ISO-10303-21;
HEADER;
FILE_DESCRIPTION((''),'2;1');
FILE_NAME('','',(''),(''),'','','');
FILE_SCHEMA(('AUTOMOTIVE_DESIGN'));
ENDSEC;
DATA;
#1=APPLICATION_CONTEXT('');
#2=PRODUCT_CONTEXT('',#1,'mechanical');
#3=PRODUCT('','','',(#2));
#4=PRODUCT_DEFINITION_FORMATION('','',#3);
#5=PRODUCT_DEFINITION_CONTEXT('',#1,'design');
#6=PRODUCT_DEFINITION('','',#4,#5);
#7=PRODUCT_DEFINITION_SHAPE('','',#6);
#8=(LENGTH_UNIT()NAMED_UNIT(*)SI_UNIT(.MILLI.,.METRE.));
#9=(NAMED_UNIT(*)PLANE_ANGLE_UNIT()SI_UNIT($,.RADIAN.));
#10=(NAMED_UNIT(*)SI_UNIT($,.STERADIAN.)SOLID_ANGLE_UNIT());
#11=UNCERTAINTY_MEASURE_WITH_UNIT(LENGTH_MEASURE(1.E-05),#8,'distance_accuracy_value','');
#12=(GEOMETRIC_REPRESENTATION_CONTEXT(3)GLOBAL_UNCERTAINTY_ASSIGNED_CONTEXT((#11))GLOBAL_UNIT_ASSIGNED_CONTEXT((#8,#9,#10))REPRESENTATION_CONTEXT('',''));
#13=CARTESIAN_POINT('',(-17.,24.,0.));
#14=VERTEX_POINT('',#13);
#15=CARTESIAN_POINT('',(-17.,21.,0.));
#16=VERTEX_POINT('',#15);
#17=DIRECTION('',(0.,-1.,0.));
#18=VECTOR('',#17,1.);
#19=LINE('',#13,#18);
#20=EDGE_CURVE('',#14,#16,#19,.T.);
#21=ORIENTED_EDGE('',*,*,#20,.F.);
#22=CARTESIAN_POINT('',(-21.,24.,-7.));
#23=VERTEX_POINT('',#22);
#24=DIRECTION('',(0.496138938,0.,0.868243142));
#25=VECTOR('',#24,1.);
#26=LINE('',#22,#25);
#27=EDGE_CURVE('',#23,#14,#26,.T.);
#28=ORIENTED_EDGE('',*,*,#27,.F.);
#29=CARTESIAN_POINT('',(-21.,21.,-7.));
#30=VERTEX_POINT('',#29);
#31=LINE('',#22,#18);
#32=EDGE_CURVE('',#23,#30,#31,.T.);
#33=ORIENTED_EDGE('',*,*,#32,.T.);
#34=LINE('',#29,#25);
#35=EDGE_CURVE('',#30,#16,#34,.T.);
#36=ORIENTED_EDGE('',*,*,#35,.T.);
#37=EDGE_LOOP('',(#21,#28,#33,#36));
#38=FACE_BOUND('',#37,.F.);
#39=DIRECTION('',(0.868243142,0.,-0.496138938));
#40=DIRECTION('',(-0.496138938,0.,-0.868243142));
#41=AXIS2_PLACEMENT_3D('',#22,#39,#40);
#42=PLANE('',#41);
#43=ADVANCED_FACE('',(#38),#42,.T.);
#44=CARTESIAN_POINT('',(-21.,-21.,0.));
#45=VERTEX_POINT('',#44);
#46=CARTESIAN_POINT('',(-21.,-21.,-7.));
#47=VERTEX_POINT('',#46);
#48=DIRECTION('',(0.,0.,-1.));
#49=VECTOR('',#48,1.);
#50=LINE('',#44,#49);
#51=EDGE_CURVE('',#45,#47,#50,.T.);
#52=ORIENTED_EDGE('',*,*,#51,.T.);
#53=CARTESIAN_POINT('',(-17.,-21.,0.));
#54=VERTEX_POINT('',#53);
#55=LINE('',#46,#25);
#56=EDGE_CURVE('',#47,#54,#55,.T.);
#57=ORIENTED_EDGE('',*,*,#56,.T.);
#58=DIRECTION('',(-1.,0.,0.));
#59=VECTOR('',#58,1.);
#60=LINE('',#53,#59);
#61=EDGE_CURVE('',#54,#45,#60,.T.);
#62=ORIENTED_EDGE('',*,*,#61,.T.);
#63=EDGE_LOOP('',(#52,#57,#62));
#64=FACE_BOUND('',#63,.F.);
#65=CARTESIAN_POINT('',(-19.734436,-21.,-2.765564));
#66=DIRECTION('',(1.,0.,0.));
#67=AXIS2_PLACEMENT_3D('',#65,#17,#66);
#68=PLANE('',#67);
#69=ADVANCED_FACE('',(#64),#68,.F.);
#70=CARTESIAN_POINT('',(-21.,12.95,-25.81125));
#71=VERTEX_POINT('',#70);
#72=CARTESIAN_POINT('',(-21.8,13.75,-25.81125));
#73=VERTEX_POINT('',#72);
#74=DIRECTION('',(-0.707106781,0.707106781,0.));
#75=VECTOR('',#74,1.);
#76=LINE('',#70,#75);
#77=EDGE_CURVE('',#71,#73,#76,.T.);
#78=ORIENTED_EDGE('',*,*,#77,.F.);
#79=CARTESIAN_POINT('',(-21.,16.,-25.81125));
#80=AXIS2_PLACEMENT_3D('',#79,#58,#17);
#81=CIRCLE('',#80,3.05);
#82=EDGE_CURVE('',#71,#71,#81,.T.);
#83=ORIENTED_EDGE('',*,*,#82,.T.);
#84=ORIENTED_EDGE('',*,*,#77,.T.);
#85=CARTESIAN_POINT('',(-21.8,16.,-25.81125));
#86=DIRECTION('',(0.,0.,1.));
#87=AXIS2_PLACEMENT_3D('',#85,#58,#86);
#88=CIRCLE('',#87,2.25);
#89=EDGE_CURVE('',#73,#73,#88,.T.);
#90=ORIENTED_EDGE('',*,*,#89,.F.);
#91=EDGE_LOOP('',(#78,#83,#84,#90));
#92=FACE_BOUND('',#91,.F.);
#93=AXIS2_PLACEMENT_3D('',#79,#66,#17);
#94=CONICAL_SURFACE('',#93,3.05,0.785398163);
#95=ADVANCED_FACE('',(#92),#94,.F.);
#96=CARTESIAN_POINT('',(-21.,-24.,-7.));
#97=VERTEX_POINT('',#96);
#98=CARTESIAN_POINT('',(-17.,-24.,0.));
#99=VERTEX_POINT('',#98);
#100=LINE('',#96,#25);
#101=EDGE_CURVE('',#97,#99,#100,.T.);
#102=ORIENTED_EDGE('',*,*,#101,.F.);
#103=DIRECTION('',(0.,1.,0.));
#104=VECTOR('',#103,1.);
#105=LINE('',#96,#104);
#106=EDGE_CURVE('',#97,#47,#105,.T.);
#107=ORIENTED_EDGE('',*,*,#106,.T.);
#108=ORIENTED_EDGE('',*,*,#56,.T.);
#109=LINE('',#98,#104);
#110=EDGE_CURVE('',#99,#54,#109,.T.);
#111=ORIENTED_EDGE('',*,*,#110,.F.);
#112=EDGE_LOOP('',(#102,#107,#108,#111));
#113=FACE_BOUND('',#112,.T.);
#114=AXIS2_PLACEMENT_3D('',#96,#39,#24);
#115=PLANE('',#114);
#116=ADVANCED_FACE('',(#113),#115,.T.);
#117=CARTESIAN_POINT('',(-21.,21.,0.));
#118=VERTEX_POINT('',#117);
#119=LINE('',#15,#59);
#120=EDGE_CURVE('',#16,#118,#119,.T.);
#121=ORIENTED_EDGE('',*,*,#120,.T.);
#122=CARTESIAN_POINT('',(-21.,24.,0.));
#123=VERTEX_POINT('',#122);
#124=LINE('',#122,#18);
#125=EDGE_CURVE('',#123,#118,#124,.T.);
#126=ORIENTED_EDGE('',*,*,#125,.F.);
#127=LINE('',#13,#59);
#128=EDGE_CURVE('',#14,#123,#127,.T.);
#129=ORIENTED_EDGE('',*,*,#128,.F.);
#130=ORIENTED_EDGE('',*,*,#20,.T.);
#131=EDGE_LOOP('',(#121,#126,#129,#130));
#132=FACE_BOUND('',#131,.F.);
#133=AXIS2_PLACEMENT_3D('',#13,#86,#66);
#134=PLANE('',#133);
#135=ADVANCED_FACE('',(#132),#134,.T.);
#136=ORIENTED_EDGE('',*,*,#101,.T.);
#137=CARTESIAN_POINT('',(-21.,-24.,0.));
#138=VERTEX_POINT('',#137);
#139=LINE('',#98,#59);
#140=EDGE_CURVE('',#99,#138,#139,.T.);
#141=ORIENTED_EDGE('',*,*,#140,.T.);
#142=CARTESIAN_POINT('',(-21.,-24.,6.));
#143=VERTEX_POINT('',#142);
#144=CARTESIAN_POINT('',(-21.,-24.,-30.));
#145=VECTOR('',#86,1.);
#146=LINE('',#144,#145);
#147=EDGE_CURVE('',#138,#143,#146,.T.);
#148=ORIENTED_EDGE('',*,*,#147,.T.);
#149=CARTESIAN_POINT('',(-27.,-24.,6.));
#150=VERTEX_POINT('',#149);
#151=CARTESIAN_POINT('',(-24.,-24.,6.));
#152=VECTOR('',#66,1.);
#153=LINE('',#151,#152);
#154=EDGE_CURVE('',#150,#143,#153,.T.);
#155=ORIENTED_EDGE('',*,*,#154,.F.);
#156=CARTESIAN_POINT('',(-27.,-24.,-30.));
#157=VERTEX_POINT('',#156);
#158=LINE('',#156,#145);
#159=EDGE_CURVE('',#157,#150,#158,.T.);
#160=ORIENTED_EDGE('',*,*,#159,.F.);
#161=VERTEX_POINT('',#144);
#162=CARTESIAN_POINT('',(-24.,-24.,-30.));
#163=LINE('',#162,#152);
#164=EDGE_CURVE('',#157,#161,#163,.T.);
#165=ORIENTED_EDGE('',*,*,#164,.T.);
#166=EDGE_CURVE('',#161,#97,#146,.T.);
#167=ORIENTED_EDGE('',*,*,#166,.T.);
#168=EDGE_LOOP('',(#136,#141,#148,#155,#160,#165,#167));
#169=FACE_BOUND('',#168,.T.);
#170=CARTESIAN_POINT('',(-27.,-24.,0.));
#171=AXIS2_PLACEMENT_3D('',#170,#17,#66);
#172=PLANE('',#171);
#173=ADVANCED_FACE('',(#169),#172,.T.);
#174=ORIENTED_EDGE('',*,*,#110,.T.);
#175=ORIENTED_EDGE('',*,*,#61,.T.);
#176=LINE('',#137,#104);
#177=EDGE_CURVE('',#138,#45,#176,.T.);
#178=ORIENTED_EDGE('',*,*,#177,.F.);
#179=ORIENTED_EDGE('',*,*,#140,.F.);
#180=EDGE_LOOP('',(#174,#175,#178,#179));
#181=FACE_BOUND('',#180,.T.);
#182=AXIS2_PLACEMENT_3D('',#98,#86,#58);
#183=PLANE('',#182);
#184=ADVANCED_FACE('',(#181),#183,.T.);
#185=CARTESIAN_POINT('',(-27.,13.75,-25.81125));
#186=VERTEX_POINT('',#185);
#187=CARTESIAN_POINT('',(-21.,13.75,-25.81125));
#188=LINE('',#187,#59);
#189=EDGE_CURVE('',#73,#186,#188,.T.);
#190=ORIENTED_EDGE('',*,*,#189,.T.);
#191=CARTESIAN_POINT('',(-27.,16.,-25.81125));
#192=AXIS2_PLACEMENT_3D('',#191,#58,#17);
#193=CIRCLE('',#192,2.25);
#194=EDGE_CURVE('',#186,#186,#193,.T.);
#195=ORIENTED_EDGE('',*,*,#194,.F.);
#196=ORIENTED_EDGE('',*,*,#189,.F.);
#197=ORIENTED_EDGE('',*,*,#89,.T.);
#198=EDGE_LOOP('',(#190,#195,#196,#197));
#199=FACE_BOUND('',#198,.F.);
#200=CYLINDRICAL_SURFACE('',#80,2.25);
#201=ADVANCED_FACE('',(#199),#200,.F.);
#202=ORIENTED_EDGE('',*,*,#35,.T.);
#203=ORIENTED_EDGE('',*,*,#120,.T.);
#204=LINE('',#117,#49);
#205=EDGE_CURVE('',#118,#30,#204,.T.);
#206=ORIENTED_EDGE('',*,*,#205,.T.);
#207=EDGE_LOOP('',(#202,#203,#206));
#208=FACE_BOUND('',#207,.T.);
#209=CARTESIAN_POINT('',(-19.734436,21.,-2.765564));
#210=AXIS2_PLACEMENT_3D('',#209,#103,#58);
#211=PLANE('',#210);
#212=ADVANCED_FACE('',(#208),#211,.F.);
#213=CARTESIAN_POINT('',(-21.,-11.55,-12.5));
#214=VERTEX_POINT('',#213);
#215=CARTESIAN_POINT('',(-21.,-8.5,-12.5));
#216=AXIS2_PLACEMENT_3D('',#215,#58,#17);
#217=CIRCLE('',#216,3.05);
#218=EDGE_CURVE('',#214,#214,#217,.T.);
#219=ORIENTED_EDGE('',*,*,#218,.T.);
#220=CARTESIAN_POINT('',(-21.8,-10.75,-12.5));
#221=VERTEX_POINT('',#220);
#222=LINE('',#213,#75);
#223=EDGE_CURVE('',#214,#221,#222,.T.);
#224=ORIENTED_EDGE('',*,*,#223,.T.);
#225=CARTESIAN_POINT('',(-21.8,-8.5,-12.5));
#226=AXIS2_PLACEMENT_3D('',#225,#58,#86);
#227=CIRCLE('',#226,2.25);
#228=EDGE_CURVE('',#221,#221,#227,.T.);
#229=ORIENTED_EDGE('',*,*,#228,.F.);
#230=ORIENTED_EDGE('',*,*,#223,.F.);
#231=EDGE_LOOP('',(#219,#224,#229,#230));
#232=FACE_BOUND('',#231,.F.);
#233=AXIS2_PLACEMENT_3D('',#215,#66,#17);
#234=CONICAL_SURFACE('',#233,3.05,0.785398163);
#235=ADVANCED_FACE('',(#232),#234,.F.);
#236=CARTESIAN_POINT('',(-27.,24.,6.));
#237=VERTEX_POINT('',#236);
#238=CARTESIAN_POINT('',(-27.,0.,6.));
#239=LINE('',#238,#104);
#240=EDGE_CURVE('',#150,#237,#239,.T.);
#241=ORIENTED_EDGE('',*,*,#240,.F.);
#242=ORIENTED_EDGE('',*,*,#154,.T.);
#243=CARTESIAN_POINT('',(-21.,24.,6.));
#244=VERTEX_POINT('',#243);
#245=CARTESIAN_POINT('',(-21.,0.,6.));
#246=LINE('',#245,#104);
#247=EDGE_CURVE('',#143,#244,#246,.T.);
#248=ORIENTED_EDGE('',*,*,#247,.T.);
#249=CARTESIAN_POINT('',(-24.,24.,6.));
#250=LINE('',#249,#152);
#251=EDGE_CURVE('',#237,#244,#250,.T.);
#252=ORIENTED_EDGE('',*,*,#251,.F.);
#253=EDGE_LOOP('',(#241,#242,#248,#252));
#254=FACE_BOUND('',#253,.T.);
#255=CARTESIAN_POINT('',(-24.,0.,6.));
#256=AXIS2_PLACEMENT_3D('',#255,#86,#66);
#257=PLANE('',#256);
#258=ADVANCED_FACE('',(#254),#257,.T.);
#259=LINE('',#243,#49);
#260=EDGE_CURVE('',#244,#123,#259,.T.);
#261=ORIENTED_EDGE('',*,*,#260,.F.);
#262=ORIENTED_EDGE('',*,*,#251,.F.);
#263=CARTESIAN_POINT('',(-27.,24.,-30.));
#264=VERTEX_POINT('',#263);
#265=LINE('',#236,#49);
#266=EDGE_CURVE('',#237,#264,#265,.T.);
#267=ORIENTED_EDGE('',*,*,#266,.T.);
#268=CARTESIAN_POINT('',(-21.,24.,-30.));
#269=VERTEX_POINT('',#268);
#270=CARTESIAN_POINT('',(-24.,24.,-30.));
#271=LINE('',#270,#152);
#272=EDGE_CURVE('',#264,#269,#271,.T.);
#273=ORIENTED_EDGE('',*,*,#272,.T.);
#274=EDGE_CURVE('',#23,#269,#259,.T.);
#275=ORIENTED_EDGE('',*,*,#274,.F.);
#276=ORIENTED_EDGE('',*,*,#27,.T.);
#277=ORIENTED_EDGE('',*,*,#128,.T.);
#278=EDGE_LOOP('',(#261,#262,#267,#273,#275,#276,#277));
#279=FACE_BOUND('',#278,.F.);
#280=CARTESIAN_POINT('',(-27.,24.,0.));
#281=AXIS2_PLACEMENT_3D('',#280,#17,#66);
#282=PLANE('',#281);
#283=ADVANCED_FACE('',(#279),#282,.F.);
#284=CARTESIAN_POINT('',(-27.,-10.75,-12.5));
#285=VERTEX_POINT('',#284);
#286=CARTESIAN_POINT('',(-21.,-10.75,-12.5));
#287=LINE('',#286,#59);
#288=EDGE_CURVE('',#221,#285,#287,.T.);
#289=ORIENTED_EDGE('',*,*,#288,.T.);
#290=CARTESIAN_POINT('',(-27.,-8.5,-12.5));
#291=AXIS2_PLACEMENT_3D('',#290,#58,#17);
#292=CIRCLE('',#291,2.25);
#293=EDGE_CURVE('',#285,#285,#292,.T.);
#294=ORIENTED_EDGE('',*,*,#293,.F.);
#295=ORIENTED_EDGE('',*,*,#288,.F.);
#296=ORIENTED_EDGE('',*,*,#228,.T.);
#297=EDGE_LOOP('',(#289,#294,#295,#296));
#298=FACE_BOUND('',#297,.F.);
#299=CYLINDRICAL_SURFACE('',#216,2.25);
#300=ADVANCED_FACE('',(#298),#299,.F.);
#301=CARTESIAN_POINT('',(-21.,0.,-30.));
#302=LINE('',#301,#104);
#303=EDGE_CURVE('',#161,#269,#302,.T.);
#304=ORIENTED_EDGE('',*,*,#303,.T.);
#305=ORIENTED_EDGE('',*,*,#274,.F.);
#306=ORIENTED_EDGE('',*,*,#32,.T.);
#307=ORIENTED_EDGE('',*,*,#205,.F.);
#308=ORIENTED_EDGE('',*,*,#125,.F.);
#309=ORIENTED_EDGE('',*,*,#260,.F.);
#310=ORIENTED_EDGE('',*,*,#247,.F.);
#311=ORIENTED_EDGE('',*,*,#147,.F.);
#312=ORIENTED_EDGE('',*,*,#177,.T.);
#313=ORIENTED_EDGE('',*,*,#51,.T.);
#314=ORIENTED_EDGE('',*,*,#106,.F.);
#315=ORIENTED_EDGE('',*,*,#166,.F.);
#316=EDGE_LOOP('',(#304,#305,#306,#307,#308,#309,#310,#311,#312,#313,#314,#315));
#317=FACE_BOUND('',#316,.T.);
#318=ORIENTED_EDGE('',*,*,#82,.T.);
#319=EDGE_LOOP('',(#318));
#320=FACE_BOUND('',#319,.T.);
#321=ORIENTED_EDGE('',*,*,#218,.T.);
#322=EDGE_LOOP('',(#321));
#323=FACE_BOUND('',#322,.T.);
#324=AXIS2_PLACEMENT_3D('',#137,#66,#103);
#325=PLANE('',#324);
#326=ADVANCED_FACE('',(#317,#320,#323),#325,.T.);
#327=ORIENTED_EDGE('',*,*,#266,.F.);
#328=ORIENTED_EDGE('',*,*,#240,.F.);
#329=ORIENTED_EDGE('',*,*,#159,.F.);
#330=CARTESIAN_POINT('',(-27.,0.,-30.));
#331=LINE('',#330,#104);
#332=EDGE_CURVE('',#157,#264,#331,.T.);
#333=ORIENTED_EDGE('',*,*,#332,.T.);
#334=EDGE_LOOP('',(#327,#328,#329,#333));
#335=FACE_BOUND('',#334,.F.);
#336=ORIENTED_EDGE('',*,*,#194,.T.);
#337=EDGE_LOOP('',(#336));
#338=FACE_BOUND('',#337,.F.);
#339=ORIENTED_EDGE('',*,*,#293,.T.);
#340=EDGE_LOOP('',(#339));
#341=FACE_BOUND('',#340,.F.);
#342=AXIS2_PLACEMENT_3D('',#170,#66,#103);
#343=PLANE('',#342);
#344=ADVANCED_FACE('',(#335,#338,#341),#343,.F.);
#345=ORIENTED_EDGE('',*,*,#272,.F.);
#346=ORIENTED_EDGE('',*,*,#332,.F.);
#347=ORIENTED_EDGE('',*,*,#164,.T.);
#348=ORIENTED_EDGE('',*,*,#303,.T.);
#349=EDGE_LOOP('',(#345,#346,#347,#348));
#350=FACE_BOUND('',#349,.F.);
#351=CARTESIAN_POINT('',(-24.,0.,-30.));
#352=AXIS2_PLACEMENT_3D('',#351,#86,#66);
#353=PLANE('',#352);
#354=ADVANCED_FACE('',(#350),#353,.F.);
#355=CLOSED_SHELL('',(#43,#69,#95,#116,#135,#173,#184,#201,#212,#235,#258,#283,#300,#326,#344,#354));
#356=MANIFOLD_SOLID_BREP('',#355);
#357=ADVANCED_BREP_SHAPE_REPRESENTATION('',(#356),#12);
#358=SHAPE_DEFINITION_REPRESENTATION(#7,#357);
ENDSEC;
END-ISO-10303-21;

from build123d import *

# Parameters (mm, degrees)
SKETCH028_W         = 6
SKETCH028_H         = 48
PAD010_DEPTH        = 6
PAD010_DEPTH_BACK   = 30
PAD011_DEPTH        = 3
HOLE011_D           = 4.5
HOLE011_DEPTH       = 25
HOLE011_CSINK_D     = 6.1
HOLE011_CSINK_ANGLE = 90


with BuildPart() as part:
    # Sketch028 (on Face1 of Binder017) → Pad010 (new body, two sides)
    with BuildSketch(Plane.XY) as pad010_sk:
        with Locations((-24, 0)):
            Rectangle(SKETCH028_W, SKETCH028_H)
    extrude(amount=PAD010_DEPTH)
    extrude(pad010_sk.sketch, amount=-PAD010_DEPTH_BACK)

    # Sketch029 (on Face3 of Pad010) → Pad011 (join)
    with BuildSketch(Plane.XZ.offset(24)):
        Polygon((-21, 0), (-21, -7), (-17, 0), align=None)
    pad011 = extrude(amount=-PAD011_DEPTH)

    # Mirrored003: Pad011 across XZ
    add(pad011.mirror(Plane.XZ))

    # Hole011
    with Locations(Plane(origin=(-21, 24, 0), x_dir=(0, 1, 0), z_dir=(1, 0, 0))):
        with Locations((-32.5, -12.5), (-8, -25.81125)):
            CounterSinkHole(HOLE011_D / 2, HOLE011_CSINK_D / 2, depth=HOLE011_DEPTH, counter_sink_angle=HOLE011_CSINK_ANGLE)


solid = part.part
